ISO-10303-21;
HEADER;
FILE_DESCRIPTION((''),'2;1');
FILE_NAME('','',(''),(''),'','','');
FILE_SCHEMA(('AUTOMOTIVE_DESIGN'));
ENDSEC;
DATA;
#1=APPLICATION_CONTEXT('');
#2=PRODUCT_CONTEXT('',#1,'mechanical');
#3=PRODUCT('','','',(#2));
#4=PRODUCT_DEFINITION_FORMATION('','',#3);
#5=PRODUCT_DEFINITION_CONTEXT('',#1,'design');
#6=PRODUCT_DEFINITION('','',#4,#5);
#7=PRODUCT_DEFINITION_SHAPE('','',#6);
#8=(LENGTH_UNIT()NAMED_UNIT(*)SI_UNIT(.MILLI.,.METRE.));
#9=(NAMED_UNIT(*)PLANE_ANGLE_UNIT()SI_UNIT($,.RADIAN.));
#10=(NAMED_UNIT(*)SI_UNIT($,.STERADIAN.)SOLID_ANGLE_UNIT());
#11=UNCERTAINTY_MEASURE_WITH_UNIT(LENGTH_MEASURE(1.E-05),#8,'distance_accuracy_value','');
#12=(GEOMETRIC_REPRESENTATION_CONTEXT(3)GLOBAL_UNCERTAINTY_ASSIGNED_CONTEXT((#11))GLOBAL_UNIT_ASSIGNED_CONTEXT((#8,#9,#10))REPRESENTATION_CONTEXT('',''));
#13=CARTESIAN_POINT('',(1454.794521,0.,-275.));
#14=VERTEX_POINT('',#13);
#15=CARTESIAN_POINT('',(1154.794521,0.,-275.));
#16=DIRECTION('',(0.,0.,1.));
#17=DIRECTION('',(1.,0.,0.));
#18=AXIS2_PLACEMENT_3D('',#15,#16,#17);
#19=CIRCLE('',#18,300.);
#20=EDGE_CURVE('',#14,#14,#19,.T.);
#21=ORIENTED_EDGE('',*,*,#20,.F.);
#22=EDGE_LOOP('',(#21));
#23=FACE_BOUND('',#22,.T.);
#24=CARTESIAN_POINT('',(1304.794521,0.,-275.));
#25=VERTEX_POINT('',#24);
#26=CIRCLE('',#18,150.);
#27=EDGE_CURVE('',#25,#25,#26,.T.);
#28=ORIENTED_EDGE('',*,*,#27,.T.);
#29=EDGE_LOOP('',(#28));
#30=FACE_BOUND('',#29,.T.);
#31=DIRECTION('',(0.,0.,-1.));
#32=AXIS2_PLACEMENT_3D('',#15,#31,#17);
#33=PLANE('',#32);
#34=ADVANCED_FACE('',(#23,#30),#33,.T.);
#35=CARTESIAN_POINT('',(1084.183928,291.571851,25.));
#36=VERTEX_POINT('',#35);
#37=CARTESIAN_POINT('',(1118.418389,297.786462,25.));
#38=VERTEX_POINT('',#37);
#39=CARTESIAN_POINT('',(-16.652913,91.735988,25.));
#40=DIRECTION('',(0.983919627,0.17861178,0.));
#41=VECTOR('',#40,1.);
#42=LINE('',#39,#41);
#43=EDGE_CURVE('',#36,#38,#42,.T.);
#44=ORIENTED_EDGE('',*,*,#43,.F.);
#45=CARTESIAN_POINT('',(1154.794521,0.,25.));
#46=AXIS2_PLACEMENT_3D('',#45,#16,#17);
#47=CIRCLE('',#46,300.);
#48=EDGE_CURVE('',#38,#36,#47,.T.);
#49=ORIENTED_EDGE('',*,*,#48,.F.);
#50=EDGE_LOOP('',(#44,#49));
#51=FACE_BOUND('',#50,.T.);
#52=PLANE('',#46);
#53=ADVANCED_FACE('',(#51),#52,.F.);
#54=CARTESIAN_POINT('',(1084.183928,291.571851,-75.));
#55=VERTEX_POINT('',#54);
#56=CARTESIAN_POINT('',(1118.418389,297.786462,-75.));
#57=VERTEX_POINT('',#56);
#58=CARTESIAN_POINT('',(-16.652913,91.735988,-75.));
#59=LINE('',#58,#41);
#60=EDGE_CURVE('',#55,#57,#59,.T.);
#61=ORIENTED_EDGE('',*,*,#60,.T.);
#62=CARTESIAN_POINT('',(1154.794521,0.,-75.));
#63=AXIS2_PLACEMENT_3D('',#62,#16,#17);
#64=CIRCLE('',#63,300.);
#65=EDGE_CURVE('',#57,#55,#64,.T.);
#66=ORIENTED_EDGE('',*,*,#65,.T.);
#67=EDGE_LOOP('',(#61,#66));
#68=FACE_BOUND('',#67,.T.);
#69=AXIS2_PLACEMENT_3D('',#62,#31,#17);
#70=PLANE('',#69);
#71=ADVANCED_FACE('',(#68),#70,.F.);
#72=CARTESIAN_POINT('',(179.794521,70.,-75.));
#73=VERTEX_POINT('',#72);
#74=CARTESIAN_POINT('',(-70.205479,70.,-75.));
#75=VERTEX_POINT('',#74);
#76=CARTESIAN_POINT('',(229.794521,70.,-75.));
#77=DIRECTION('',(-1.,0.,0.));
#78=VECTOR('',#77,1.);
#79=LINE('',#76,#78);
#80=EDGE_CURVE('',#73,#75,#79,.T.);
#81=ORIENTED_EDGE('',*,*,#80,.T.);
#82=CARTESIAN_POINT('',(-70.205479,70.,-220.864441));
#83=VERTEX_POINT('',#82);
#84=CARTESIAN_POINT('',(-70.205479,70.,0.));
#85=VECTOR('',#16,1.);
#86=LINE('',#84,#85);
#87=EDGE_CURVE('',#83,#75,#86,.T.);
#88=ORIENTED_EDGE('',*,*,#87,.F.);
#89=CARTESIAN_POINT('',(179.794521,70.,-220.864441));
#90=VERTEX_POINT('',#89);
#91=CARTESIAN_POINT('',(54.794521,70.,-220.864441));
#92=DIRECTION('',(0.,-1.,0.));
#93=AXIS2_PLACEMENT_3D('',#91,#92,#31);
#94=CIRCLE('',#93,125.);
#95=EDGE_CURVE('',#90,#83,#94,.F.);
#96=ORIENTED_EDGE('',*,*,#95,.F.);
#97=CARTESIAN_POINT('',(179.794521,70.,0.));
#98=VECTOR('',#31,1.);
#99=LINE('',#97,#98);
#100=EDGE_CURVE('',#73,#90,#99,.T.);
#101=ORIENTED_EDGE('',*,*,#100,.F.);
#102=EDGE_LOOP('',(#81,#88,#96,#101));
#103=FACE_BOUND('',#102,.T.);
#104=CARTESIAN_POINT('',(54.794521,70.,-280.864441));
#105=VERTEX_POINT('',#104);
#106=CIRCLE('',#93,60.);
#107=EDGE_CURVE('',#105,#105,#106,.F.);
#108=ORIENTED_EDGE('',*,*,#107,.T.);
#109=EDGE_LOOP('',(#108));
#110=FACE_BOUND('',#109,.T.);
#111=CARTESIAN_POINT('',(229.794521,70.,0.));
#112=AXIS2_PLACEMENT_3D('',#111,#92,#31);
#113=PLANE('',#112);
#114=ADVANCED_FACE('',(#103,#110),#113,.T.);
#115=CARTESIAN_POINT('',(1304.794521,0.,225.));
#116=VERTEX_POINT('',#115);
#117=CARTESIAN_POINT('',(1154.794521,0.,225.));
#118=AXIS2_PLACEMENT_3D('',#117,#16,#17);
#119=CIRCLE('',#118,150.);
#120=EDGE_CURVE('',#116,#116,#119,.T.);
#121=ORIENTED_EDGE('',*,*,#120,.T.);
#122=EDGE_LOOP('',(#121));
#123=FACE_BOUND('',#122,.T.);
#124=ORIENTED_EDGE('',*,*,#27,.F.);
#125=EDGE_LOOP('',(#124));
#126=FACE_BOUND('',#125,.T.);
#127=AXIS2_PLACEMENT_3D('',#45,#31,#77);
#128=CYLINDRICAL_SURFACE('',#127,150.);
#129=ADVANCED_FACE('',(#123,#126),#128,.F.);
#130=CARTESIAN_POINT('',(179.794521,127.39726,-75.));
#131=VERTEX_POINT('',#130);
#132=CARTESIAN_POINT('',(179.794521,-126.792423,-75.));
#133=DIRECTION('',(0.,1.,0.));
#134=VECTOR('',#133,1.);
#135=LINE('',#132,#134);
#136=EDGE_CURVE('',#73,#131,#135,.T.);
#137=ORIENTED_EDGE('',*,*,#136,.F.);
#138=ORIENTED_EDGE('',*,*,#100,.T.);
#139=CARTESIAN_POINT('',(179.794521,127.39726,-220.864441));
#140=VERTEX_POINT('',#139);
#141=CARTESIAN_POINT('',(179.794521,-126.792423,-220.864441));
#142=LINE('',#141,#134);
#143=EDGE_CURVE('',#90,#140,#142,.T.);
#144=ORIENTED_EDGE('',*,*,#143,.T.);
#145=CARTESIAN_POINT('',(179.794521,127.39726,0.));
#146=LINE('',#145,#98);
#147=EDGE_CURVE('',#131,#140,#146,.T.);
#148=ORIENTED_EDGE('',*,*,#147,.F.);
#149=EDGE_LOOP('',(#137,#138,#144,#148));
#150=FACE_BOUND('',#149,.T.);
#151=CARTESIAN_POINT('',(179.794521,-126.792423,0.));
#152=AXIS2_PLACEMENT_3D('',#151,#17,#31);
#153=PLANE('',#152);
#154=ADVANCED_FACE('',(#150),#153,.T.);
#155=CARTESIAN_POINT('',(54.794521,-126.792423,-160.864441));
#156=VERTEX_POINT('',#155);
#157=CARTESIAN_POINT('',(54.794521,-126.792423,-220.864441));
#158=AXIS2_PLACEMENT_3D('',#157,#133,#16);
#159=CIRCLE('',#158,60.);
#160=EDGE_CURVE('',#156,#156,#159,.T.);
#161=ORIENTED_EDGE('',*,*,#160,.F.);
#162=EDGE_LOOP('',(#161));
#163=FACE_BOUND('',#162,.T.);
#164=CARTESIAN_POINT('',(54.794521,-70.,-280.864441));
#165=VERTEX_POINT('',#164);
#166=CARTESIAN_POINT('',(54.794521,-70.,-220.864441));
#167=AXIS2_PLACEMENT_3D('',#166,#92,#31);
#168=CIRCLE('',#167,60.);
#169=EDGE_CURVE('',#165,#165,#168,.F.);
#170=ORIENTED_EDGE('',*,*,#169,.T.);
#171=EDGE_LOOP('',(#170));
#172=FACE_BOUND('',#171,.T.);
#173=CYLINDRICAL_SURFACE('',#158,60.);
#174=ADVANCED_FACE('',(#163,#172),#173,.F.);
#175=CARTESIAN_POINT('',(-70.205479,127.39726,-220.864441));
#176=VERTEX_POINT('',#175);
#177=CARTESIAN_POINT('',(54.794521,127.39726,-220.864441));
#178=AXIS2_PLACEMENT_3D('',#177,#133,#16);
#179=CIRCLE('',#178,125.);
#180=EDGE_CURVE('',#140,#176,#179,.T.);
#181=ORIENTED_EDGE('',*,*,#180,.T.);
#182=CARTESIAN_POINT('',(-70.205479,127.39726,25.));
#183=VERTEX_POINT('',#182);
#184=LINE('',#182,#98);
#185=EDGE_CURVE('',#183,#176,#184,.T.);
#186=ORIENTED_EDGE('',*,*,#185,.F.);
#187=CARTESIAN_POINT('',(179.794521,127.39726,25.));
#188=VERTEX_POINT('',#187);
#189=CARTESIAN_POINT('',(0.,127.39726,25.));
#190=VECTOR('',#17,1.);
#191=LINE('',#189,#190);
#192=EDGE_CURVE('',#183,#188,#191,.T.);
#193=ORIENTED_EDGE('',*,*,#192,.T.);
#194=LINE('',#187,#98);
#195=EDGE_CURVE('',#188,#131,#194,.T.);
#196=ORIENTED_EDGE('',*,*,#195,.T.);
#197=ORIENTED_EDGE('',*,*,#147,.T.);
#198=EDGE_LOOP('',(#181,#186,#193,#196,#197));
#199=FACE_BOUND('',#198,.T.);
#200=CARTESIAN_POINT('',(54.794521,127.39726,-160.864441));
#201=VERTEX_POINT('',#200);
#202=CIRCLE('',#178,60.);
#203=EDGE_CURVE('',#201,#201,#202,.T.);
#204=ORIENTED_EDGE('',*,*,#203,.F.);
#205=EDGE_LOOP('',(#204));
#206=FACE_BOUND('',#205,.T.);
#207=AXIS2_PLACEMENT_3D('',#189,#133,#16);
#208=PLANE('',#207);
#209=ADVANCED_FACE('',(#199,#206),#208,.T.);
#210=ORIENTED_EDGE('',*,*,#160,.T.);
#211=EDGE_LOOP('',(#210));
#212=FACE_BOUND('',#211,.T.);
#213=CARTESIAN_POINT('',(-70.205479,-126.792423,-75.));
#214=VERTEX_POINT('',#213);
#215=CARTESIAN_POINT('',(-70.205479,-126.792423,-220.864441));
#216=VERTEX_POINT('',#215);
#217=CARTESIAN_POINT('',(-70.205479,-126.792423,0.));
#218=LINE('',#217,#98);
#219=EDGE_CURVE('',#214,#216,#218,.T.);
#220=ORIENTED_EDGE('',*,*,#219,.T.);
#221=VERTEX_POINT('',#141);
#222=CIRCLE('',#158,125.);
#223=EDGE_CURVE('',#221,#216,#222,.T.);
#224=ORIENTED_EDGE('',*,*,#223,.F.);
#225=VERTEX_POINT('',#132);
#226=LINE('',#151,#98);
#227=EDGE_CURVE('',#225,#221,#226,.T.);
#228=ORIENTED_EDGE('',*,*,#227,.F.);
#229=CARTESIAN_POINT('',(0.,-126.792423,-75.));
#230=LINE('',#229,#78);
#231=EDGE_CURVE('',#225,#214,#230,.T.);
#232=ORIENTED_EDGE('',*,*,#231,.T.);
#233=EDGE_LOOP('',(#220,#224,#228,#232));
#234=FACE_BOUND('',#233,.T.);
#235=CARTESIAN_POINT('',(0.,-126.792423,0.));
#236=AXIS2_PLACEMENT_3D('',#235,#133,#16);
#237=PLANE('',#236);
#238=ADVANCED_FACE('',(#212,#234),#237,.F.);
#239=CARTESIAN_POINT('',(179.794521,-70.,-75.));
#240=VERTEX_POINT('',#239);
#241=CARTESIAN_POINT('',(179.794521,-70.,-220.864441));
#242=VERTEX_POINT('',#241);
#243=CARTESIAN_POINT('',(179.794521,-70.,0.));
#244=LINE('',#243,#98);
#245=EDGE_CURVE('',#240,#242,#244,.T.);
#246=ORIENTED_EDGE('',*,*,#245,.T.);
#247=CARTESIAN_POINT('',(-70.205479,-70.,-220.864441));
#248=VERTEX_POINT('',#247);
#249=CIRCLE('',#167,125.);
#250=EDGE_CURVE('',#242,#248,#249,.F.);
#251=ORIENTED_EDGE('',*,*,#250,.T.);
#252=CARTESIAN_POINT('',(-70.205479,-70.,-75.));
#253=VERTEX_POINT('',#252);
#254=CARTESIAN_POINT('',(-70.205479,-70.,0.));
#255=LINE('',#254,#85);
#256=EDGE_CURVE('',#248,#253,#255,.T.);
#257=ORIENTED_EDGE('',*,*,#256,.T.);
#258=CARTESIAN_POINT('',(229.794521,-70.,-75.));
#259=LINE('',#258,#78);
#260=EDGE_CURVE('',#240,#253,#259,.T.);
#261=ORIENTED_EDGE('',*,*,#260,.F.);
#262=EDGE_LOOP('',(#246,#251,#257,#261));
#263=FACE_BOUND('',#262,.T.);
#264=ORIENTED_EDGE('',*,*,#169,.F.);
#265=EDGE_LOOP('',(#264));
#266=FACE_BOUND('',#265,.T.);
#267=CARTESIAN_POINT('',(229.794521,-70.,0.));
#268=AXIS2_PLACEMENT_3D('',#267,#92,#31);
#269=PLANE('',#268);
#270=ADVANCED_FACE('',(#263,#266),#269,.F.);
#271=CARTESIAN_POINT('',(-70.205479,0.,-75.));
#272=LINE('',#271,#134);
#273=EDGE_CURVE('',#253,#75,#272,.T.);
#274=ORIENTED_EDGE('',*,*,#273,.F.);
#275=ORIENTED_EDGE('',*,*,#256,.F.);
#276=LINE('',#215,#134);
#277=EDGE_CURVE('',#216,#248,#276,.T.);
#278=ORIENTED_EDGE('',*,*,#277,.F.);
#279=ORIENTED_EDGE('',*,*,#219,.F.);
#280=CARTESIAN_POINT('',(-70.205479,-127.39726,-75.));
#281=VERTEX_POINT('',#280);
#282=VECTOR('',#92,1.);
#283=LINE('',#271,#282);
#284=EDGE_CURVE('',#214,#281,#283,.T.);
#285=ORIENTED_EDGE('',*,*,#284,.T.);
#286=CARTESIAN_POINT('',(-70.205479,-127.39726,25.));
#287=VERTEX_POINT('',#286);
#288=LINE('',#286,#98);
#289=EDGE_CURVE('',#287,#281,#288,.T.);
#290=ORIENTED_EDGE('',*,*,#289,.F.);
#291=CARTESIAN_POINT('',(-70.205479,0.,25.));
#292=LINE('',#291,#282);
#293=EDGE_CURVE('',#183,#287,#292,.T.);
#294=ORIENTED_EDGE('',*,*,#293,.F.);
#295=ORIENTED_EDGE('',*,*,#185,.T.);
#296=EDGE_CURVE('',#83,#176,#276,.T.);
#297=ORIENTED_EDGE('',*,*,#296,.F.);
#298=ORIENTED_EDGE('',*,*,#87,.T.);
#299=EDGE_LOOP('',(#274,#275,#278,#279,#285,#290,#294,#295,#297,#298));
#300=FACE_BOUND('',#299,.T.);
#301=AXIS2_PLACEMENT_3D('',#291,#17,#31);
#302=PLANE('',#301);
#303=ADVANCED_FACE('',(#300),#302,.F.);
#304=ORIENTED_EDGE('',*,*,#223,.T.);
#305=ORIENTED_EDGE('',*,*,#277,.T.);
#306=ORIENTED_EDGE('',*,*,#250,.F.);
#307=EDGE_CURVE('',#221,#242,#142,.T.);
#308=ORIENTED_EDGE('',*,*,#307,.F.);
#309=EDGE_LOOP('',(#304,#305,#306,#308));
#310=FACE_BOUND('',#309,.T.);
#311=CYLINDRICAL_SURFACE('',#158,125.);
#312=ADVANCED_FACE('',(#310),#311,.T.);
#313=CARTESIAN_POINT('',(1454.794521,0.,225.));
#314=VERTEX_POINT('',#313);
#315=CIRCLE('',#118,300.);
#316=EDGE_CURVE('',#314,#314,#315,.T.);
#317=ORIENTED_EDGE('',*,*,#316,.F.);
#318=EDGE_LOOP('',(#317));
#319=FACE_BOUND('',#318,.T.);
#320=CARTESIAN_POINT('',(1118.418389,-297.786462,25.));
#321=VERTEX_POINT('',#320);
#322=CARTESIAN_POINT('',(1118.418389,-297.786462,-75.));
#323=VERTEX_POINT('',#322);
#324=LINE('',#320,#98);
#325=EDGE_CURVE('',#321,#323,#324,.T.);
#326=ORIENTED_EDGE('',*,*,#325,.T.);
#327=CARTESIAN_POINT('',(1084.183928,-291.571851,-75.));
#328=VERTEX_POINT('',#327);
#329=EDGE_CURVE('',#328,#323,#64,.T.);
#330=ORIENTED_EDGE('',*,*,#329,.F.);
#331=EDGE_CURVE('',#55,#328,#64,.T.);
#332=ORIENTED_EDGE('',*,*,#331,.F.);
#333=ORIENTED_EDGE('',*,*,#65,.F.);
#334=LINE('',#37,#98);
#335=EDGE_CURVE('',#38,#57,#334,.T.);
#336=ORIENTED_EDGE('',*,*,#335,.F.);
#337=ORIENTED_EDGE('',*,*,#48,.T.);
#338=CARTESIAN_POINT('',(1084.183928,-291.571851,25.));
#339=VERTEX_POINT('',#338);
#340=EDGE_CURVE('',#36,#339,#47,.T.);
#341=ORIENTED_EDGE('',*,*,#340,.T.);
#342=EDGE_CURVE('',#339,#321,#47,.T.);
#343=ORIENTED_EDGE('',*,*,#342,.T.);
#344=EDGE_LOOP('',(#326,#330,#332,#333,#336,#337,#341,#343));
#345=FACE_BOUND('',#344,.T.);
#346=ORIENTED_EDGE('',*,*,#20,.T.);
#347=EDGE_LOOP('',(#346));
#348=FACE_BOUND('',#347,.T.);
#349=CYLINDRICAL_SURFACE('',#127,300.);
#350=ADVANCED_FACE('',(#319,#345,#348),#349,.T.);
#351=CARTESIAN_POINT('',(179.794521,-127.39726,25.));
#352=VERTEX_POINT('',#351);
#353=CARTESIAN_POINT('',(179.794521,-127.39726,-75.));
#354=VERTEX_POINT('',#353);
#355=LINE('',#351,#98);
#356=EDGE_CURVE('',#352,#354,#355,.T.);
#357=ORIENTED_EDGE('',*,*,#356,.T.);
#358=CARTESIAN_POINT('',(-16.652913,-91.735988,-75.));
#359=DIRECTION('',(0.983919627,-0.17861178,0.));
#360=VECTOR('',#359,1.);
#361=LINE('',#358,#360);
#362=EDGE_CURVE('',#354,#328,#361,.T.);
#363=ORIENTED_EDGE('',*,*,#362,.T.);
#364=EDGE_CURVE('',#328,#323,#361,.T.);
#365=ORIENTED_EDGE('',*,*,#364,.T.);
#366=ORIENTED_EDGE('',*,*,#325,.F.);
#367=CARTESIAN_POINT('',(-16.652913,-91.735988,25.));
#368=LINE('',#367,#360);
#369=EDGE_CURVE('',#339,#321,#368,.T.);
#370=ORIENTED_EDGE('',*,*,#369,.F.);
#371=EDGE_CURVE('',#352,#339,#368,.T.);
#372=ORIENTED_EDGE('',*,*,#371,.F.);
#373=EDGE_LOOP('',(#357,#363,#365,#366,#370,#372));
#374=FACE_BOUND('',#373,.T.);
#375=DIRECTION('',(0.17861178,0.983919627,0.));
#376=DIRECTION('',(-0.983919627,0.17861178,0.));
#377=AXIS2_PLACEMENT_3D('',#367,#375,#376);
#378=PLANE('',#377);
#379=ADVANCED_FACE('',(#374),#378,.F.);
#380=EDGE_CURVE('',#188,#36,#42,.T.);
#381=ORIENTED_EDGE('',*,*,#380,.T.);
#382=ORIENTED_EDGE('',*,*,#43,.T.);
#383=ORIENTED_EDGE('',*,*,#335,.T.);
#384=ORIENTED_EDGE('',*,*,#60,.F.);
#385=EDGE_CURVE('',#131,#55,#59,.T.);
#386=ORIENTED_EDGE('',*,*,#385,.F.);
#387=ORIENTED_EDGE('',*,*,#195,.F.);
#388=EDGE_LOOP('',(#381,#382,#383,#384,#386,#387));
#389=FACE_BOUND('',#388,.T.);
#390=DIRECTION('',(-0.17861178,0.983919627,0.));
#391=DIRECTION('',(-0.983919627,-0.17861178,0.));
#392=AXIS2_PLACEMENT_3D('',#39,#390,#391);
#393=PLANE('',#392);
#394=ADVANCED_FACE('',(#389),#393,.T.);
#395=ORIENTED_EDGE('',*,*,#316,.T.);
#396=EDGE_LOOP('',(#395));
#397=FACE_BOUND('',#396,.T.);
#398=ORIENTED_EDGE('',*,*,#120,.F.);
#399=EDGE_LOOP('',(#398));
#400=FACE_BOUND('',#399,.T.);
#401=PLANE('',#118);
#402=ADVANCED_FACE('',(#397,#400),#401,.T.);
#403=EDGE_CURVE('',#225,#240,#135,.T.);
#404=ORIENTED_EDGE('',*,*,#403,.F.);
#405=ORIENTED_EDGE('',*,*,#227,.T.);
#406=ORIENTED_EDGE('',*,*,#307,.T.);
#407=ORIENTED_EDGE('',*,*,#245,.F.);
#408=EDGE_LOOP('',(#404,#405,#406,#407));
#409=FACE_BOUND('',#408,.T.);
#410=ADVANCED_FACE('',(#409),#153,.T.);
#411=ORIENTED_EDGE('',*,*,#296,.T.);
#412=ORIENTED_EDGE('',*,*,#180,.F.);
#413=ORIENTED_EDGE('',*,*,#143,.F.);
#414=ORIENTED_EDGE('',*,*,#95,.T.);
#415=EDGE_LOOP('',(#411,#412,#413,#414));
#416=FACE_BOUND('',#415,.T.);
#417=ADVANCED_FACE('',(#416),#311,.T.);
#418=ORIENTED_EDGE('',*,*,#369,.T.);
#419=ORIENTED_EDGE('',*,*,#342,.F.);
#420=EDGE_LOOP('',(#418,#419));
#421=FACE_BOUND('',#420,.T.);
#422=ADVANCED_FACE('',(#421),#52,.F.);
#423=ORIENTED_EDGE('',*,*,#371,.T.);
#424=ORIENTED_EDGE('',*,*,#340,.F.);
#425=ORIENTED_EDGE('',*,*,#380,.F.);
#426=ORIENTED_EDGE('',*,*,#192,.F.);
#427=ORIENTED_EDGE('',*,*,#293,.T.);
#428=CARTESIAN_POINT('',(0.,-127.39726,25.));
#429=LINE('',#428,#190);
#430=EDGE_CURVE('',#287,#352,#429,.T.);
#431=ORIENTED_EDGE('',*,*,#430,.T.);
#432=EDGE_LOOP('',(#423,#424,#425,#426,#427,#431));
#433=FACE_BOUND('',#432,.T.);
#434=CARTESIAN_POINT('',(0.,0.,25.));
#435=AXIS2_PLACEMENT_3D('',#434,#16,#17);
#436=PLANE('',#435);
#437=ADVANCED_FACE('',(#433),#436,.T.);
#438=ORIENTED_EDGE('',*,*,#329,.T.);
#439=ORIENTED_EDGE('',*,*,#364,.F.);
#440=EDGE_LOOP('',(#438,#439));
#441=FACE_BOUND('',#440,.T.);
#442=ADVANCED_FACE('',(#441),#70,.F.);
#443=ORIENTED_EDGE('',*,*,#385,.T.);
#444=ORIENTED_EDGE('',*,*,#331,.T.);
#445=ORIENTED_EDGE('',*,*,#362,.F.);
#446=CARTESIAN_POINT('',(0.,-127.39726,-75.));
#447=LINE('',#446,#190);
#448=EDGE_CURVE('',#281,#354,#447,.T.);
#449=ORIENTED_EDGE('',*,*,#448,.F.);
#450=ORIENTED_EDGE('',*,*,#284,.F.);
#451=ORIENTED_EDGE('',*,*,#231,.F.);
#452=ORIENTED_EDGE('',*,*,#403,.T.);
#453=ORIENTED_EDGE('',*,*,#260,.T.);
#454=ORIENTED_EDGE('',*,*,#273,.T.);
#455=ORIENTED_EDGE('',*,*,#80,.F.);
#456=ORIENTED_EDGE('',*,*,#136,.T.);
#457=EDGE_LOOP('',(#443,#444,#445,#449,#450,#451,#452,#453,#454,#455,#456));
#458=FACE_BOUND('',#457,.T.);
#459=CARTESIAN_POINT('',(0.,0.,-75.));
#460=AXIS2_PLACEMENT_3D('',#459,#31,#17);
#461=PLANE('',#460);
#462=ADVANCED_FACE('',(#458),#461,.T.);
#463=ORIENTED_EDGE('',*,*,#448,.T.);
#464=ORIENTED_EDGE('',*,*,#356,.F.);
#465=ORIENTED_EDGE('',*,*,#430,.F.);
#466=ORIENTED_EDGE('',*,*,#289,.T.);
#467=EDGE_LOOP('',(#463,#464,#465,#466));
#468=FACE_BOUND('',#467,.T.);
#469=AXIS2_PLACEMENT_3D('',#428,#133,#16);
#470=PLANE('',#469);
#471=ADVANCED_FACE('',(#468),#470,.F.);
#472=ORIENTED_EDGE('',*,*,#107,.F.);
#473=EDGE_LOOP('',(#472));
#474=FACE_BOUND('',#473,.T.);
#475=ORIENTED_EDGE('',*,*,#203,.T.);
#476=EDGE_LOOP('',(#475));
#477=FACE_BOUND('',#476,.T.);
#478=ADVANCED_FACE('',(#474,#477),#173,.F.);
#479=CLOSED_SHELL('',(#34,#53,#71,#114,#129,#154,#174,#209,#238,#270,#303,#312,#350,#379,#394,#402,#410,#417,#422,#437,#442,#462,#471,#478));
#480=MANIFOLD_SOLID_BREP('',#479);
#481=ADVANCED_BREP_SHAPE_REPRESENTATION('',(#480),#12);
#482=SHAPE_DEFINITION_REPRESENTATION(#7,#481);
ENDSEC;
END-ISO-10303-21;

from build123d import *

# Parameters (mm, degrees)
SKETCH1_R           = 150
BOSS_EXTRUDE3_DEPTH = 25
SKETCH6_R           = 300
SKETCH6_R_2         = 150
BOSS_EXTRUDE6_DEPTH = 200
SKETCH9_R           = 60
BOSS_EXTRUDE8_DEPTH = 254.189683417
SKETCH10_W          = 145.864440971
SKETCH10_H          = 70
SKETCH10_W_2        = 154.135559029
CUT_EXTRUDE1_DEPTH  = 300


with BuildPart() as part:
    # Sketch1 → Boss-Extrude3 (new body, symmetric)
    with BuildSketch(Plane.XY):
        with BuildLine():
            Line((179.794520548, 127.397260274), (-70.205479452, 127.397260274))
            Line((-70.205479452, 127.397260274), (-70.205479452, -127.397260274))
            Line((-70.205479452, -127.397260274), (179.794520548, -127.397260274))
            Line((179.794520548, -127.397260274), (1084.183927904, -291.571850847))
            Line((1084.183927904, -291.571850847), (1118.418389374, -297.786462219))
            ThreePointArc((1118.418389374, -297.786462219), (1454.794520548, 0), (1118.418389374, 297.786462219))
            Line((1118.418389374, 297.786462219), (1084.183927904, 291.571850847))
            Line((1084.183927904, 291.571850847), (179.794520548, 127.397260274))
        make_face()
        with Locations((1154.794520548, 0)):
            Circle(SKETCH1_R, mode=Mode.SUBTRACT)
    boss_extrude3 = extrude(amount=BOSS_EXTRUDE3_DEPTH, both=True)

    # Sketch6 → Boss-Extrude6 (add)
    with BuildSketch(Plane.XY.offset(25)):
        with Locations(Location((1154.794520548, 0, 0), (0, 0, 256.386646044))):  # turned: the seam where the file's is
            Circle(SKETCH6_R)
        with Locations((1154.794520548, 0)):
            Circle(SKETCH6_R_2, mode=Mode.SUBTRACT)
    boss_extrude6 = extrude(amount=BOSS_EXTRUDE6_DEPTH)

    # Mirror1: Boss-Extrude3, Boss-Extrude6 across plane
    add(boss_extrude3.mirror(Plane.XY.offset(-25)))
    add(boss_extrude6.mirror(Plane.XY.offset(-25)))

    # Sketch9 → Boss-Extrude8 (add)
    with BuildSketch(Plane(origin=(0, 127.397260274, 0), x_dir=(1, 0, 0), z_dir=(0, 1, 0))):
        with BuildLine():
            Line((179.794520548, 75), (179.794520548, 220.864440971))
            ThreePointArc((179.794520548, 220.864440971), (54.794520548, 345.864440971), (-70.205479452, 220.864440971))
            Line((-70.205479452, 220.864440971), (-70.205479452, 75))
            Line((-70.205479452, 75), (179.794520548, 75))
        make_face()
        with Locations(Location((54.794520548, 220.864440971, 0), (0, 0, 270))):  # turned: the seam where the file's is
            Circle(SKETCH9_R, mode=Mode.SUBTRACT)
    extrude(amount=-BOSS_EXTRUDE8_DEPTH)

    # Sketch10 → Cut-Extrude1 (cut)
    with BuildSketch(Plane.ZY.offset(70.205479452)):
        with Locations((-147.932220486, -35)):
            Rectangle(SKETCH10_W, SKETCH10_H)
        with Locations((-297.932220486, -35)):
            Rectangle(SKETCH10_W_2, SKETCH10_H)
        with Locations((-297.932220486, 35)):
            Rectangle(SKETCH10_W_2, SKETCH10_H)
        with Locations((-147.932220486, 35)):
            Rectangle(SKETCH10_W, SKETCH10_H)
    extrude(amount=-CUT_EXTRUDE1_DEPTH, mode=Mode.SUBTRACT)


solid = part.part
